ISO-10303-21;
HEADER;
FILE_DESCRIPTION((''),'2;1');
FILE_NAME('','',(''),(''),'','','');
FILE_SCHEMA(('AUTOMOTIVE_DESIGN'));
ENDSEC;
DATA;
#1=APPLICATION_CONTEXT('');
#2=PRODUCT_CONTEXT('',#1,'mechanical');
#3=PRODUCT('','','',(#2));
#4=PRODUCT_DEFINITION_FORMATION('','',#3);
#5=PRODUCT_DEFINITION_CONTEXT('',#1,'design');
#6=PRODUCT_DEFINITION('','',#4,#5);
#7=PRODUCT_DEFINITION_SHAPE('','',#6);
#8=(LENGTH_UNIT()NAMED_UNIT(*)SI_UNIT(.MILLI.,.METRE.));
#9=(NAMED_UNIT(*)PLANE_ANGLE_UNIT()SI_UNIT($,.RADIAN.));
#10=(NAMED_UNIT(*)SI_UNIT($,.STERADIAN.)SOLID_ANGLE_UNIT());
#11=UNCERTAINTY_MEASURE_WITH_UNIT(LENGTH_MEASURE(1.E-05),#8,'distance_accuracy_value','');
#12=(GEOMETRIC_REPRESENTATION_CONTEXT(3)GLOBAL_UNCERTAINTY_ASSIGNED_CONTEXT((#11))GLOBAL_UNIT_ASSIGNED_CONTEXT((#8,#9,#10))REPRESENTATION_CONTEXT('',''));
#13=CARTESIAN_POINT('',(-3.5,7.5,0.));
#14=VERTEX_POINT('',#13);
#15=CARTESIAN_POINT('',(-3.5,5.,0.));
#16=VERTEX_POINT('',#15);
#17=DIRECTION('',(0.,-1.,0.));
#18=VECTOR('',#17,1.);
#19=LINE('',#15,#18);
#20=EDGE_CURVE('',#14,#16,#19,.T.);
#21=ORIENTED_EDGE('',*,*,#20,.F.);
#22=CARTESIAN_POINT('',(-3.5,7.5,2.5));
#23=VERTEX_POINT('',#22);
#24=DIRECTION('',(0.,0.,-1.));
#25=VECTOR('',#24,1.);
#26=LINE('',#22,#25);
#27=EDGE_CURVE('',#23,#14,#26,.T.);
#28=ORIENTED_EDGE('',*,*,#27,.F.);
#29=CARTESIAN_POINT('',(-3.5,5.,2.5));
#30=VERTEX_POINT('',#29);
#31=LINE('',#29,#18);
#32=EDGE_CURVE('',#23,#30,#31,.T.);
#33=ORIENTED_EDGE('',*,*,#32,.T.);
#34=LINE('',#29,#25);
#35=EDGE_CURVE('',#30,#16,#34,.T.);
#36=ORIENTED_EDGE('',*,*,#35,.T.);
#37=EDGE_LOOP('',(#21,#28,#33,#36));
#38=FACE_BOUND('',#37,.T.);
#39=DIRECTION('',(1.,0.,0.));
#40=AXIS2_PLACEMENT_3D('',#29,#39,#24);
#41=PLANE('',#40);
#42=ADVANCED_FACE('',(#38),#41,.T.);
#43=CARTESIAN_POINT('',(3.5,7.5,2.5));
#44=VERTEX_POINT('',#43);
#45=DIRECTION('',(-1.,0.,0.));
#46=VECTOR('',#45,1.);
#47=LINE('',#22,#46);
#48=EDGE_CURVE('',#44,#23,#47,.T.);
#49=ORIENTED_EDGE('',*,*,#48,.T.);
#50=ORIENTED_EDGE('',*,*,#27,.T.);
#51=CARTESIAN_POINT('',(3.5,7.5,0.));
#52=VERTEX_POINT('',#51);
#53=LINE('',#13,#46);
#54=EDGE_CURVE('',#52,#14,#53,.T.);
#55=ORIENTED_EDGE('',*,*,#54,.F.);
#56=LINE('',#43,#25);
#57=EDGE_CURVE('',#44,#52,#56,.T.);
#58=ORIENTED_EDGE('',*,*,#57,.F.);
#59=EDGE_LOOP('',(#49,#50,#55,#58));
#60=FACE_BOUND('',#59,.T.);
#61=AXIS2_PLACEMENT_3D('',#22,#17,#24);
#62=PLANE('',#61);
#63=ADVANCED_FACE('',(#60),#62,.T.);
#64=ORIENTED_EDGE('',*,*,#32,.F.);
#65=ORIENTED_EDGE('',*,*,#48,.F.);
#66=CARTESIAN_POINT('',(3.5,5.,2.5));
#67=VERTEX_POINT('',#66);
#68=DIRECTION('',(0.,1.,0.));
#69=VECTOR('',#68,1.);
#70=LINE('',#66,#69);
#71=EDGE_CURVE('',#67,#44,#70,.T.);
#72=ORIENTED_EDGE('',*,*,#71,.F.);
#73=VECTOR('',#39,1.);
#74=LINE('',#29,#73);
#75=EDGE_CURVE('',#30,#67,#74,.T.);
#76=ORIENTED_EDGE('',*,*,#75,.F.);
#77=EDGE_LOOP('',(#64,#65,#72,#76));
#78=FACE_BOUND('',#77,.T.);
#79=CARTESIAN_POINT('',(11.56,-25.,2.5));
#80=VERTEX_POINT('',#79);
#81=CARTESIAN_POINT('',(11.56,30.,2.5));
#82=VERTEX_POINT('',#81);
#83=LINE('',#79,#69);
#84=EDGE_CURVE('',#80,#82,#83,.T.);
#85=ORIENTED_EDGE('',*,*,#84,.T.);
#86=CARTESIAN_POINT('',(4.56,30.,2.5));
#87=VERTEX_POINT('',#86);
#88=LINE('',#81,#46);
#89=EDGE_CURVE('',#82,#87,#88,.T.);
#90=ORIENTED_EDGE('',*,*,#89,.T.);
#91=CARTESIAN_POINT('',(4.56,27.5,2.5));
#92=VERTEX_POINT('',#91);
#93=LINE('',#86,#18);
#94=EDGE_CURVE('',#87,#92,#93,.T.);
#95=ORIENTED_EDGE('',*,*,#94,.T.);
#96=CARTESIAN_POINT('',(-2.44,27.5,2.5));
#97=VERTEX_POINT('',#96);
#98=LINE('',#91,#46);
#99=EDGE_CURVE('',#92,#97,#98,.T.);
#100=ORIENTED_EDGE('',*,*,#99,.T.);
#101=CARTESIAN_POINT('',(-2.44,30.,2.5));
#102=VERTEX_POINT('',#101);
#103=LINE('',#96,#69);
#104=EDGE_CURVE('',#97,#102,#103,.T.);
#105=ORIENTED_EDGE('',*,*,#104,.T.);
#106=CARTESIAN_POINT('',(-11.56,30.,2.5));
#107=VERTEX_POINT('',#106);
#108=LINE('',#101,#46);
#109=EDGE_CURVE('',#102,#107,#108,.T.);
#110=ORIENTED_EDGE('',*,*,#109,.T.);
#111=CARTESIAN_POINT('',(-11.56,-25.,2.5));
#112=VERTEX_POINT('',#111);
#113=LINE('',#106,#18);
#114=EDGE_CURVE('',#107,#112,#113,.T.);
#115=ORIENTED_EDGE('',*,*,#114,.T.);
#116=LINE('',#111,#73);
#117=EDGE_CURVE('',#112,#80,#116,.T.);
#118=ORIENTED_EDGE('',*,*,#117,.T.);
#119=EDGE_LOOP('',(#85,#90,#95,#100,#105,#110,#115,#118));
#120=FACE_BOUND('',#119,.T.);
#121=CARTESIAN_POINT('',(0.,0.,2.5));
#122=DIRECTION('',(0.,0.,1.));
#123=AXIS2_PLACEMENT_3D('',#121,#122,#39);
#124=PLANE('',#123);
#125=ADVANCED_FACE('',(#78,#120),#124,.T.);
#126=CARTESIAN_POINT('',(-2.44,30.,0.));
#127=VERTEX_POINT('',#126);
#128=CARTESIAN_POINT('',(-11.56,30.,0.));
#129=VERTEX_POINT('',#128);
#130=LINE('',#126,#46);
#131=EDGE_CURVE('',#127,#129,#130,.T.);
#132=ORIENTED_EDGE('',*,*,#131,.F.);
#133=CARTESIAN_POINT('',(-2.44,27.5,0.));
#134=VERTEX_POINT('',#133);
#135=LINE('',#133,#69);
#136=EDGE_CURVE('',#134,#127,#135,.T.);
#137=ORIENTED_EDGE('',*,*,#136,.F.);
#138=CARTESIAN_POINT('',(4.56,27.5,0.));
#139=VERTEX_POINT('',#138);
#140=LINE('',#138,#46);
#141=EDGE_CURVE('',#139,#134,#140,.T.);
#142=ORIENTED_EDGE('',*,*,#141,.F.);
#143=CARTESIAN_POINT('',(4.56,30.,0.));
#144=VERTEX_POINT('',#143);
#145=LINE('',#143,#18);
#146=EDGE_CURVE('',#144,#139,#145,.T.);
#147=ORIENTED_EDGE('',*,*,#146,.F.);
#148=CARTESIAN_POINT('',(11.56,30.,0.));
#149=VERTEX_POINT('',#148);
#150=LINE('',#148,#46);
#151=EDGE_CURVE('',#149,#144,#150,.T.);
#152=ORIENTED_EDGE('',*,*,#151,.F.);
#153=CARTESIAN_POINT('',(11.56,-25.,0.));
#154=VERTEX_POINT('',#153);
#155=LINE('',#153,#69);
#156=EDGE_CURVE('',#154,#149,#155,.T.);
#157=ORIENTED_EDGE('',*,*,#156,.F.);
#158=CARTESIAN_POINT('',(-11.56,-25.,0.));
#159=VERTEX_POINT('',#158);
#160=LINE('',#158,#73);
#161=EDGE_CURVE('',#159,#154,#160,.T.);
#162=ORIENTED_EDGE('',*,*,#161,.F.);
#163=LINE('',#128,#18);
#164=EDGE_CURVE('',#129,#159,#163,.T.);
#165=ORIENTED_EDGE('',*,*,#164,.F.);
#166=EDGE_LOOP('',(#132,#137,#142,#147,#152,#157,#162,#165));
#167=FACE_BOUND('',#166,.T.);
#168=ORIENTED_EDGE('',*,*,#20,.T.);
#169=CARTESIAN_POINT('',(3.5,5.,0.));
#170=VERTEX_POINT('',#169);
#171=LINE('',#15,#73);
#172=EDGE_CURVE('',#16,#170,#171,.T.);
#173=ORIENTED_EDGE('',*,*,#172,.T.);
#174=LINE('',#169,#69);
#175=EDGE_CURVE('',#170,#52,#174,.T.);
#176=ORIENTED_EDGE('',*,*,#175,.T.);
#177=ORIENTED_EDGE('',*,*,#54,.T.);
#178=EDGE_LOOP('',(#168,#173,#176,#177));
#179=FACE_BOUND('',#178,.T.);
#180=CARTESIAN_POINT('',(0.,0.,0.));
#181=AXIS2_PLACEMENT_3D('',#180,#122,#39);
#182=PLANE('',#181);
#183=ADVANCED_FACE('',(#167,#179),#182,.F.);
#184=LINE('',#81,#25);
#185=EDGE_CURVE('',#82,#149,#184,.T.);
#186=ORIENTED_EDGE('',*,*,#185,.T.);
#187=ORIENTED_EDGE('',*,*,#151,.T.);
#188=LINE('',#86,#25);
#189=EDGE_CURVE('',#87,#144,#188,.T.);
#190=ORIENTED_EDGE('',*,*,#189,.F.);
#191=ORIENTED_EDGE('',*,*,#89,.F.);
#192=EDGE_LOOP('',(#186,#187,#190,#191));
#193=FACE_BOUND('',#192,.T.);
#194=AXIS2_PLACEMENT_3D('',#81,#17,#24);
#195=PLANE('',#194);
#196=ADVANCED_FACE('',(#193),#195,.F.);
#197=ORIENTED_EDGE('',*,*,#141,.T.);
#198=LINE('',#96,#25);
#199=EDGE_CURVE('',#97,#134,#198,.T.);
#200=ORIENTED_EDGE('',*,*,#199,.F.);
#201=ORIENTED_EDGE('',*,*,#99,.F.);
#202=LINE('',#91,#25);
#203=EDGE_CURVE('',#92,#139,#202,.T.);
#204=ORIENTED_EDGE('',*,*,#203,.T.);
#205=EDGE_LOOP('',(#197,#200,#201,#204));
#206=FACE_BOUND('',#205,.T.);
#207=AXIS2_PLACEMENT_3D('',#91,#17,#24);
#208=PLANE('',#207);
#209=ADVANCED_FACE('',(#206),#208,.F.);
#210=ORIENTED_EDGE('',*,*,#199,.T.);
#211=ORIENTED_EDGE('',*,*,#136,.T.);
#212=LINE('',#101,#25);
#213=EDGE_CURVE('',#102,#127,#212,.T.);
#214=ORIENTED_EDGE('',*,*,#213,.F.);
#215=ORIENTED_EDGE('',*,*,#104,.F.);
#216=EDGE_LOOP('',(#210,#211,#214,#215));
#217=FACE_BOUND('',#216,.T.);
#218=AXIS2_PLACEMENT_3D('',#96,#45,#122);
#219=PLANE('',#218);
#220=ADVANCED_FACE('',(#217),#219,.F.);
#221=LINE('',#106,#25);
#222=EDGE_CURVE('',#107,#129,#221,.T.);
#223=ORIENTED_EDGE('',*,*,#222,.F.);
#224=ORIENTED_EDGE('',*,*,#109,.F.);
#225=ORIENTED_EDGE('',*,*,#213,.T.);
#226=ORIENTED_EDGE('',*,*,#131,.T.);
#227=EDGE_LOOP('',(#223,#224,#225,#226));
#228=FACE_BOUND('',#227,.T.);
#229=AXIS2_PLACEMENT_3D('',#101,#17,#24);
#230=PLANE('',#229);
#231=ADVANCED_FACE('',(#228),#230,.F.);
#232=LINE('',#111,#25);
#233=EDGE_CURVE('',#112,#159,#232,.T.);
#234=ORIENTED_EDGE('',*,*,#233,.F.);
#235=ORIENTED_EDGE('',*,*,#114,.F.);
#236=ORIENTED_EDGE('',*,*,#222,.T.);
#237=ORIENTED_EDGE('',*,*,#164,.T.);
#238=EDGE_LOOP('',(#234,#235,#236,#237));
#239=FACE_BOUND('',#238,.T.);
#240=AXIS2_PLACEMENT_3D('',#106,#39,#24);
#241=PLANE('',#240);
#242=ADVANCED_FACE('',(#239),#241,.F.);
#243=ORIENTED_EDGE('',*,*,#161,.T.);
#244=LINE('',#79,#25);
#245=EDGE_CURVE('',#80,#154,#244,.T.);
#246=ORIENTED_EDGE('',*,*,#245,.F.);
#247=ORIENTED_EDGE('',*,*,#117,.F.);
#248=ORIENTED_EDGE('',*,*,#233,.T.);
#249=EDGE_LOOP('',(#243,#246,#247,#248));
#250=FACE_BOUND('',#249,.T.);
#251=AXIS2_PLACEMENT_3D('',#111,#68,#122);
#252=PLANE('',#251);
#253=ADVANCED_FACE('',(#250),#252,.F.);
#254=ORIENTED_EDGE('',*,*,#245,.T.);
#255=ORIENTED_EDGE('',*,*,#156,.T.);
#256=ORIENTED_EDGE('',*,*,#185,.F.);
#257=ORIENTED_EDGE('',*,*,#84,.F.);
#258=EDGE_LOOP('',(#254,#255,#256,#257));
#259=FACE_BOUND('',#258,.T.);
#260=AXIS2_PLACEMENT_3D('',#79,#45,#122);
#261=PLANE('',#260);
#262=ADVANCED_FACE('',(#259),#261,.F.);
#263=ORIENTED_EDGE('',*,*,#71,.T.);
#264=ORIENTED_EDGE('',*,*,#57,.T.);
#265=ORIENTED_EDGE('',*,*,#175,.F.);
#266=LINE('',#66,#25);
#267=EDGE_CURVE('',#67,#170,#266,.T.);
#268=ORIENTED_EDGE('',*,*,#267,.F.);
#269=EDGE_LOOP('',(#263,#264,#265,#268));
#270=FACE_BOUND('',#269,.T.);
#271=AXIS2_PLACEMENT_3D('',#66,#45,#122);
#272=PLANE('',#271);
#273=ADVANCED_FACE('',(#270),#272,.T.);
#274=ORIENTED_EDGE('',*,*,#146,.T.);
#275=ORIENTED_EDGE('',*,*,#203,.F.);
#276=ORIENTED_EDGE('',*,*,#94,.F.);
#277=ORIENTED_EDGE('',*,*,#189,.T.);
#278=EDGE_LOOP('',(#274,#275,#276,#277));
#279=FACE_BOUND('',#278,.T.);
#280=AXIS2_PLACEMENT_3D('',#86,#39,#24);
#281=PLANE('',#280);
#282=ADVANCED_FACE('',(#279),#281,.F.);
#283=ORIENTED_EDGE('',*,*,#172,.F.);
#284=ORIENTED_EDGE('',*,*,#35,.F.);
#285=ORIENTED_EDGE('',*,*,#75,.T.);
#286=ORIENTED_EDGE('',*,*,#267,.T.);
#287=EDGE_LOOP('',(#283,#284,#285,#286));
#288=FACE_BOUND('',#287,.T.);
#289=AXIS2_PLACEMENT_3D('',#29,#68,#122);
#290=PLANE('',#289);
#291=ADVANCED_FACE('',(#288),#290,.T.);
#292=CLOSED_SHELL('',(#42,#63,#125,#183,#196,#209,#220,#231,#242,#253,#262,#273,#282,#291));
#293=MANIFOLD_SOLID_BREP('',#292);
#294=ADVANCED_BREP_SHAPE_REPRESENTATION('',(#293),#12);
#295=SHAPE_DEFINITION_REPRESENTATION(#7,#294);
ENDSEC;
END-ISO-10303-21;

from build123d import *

# Parameters (mm, degrees)
SKETCH1_W           = 7
SKETCH1_H           = 2.5
BOSS_EXTRUDE1_DEPTH = 2.5


with BuildPart() as part:
    # Sketch1 → Boss-Extrude1 (new body)
    with BuildSketch(Plane.XY):
        Polygon((11.56, 30), (4.56, 30), (4.56, 27.5), (-2.44, 27.5), (-2.44, 30), (-11.56, 30), (-11.56, -25), (11.56, -25), align=None)
        with Locations((0, 6.25)):
            Rectangle(SKETCH1_W, SKETCH1_H, mode=Mode.SUBTRACT)
    extrude(amount=BOSS_EXTRUDE1_DEPTH)


solid = part.part
